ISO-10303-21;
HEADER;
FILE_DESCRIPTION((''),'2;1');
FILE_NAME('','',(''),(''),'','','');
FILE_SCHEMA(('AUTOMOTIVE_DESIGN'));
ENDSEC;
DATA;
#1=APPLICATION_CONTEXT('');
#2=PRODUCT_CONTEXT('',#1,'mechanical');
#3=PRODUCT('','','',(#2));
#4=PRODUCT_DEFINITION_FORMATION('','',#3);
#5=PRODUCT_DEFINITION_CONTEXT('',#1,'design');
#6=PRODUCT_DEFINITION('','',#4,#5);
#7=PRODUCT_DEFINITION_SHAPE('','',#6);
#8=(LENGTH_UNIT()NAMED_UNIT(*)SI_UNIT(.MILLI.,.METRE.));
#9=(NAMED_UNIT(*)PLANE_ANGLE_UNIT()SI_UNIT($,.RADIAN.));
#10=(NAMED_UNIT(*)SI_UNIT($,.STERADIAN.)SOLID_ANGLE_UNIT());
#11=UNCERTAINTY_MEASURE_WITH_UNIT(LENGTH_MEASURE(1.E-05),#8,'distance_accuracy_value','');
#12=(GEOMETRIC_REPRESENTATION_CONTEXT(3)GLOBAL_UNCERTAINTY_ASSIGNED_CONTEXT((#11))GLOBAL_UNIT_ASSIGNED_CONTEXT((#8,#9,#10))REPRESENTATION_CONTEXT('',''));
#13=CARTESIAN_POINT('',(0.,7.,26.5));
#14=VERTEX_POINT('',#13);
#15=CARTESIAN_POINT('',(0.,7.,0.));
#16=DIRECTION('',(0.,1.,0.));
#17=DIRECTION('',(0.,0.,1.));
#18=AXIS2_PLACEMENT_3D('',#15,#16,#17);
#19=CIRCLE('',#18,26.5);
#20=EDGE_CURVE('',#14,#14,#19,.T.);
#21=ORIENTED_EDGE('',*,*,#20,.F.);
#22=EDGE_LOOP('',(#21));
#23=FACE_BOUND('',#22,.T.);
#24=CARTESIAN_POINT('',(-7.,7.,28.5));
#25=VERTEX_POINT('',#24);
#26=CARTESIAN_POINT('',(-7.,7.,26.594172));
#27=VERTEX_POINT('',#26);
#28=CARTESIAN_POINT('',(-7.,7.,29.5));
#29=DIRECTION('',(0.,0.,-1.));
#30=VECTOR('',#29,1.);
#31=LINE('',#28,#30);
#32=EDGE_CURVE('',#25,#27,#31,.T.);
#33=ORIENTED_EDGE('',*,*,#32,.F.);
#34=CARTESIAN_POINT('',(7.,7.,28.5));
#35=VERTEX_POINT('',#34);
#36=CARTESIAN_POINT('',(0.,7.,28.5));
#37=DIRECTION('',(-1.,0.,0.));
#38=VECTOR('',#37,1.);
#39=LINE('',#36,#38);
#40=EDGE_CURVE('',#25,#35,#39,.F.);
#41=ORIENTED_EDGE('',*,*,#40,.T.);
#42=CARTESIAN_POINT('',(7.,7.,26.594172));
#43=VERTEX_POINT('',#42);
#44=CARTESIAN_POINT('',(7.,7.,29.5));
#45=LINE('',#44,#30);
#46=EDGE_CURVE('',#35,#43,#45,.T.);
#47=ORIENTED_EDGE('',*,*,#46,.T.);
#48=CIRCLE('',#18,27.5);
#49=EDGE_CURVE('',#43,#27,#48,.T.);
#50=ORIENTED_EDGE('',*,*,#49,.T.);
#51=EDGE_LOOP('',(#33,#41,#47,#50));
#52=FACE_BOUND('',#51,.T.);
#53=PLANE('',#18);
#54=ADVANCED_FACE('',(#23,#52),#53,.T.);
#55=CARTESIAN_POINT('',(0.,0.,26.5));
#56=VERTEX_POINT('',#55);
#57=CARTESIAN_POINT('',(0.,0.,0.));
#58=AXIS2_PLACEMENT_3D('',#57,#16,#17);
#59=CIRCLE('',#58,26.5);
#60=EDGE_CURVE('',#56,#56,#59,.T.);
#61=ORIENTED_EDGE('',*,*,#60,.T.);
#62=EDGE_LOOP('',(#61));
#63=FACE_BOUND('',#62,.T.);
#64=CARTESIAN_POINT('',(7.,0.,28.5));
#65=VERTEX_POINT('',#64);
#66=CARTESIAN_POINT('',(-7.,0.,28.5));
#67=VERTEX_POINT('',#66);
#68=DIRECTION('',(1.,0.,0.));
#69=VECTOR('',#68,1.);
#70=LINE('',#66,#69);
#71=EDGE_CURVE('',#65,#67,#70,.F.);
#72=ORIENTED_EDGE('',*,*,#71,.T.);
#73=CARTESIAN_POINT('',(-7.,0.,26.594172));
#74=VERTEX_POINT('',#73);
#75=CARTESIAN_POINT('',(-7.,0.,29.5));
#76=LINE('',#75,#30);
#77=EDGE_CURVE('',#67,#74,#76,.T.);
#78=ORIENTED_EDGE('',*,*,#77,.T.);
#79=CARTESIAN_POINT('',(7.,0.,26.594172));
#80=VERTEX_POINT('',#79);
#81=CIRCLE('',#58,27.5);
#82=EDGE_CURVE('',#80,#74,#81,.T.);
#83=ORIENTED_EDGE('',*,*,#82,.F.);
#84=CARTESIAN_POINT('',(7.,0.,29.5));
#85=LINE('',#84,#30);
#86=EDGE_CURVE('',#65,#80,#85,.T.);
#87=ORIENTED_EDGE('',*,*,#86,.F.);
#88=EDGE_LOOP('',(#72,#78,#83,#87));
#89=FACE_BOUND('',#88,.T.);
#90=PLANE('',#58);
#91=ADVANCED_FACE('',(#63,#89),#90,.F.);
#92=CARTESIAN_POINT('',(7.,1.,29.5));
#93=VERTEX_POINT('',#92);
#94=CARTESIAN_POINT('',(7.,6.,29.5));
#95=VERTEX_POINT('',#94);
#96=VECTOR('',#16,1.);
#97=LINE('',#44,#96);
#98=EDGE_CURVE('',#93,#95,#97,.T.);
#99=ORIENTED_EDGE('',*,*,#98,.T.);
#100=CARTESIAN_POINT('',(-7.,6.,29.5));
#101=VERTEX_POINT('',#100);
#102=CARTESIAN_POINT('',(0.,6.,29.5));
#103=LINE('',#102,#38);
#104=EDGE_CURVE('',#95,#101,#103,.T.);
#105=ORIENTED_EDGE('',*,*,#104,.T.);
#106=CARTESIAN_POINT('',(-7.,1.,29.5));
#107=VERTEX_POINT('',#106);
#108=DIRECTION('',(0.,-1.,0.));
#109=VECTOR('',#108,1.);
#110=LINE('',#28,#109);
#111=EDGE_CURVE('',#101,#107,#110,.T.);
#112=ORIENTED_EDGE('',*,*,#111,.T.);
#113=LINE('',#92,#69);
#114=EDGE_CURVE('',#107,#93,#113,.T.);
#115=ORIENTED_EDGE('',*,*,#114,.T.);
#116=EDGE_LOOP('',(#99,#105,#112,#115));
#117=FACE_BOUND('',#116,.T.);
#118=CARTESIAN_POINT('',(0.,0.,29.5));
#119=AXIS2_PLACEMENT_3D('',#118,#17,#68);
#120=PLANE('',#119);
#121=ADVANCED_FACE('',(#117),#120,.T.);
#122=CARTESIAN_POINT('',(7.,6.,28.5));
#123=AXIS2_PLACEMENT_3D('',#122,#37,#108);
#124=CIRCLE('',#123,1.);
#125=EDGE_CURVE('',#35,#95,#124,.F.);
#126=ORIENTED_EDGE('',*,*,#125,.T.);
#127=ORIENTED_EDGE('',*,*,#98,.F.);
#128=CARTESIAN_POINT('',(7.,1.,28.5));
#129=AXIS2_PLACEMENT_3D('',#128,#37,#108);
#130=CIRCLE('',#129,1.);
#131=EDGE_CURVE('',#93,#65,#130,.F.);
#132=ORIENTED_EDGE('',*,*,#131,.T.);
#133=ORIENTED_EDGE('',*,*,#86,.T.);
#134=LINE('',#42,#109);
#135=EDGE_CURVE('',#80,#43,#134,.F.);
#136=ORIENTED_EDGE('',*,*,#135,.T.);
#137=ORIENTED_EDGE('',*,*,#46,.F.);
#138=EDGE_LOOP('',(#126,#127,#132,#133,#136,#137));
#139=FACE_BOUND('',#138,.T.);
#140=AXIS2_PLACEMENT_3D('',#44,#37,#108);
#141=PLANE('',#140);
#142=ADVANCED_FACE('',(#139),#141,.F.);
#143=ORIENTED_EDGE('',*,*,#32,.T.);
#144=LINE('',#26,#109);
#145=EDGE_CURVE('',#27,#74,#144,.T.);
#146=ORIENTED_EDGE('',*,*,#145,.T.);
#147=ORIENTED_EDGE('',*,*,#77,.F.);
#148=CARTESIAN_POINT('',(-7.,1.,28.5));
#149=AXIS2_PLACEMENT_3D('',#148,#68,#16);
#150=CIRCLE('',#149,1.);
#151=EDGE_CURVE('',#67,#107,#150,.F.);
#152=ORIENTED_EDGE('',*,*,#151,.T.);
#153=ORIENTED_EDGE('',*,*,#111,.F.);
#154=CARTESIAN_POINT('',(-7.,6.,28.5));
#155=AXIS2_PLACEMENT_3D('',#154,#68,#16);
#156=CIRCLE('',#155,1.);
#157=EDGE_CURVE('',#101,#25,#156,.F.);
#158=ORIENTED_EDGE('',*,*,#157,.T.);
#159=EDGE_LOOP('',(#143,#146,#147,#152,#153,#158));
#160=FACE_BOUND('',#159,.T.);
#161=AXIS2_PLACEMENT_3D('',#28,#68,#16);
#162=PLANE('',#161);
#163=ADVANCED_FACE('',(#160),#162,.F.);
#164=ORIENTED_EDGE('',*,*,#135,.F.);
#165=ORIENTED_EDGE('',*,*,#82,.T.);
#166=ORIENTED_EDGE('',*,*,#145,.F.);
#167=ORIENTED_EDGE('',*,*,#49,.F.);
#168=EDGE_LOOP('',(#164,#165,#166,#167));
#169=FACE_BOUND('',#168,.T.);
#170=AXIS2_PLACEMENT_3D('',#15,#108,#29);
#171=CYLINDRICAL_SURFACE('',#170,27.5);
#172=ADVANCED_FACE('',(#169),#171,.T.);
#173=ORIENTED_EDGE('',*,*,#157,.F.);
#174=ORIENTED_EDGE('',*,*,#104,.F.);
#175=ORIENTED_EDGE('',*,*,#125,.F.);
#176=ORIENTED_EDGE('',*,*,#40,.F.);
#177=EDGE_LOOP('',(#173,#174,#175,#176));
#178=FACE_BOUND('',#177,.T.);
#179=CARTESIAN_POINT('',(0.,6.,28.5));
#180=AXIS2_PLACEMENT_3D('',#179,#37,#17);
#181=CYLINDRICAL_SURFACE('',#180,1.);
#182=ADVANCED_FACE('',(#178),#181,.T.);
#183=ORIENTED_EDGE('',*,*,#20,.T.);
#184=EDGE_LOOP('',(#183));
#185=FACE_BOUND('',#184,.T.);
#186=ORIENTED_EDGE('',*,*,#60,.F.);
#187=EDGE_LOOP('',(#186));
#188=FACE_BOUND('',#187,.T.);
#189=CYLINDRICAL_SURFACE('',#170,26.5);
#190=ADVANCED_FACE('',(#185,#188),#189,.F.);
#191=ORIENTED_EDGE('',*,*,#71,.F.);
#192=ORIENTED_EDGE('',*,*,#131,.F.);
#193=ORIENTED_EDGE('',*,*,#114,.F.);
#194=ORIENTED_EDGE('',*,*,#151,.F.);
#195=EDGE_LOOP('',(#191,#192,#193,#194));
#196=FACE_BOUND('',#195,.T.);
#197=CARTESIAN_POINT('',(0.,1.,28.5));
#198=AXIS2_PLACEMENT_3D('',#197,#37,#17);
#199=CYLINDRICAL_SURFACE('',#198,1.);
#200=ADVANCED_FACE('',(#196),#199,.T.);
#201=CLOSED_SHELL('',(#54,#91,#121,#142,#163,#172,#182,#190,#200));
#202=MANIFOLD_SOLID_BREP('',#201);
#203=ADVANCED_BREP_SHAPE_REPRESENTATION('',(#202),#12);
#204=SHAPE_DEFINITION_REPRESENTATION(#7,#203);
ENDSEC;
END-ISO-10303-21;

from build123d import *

# Parameters (mm, degrees)
SKETCH1_R           = 27.5
SKETCH1_R_2         = 26.5
BOSS_EXTRUDE1_DEPTH = 7
SKETCH2_W           = 14
SKETCH2_H           = 7
BOSS_EXTRUDE2_DEPTH = 3
FILLET1_R           = 1


with BuildPart() as part:
    # Sketch1 → Boss-Extrude1 (new body)
    with BuildSketch(Plane(origin=(0, 0, 0), x_dir=(1, 0, 0), z_dir=(0, 1, 0))):
        with Locations(Location((0, 0, 0), (0, 0, 270))):
            Circle(SKETCH1_R)
        with Locations(Location((0, 0, 0), (0, 0, 270))):
            Circle(SKETCH1_R_2, mode=Mode.SUBTRACT)
    extrude(amount=BOSS_EXTRUDE1_DEPTH)

    # Sketch2 → Boss-Extrude2 (add)
    with BuildSketch(Plane.XY.offset(26.5)):
        with Locations((0, 3.5)):
            Rectangle(SKETCH2_W, SKETCH2_H)
    extrude(amount=BOSS_EXTRUDE2_DEPTH)

    # Fillet1
    fillet1_edges = [part.edges().sort_by_distance(p)[0] for p in [
        (0, 0, 29.5),
        (0, 7, 29.5),
    ]]
    fillet(fillet1_edges, radius=FILLET1_R)


solid = part.part
